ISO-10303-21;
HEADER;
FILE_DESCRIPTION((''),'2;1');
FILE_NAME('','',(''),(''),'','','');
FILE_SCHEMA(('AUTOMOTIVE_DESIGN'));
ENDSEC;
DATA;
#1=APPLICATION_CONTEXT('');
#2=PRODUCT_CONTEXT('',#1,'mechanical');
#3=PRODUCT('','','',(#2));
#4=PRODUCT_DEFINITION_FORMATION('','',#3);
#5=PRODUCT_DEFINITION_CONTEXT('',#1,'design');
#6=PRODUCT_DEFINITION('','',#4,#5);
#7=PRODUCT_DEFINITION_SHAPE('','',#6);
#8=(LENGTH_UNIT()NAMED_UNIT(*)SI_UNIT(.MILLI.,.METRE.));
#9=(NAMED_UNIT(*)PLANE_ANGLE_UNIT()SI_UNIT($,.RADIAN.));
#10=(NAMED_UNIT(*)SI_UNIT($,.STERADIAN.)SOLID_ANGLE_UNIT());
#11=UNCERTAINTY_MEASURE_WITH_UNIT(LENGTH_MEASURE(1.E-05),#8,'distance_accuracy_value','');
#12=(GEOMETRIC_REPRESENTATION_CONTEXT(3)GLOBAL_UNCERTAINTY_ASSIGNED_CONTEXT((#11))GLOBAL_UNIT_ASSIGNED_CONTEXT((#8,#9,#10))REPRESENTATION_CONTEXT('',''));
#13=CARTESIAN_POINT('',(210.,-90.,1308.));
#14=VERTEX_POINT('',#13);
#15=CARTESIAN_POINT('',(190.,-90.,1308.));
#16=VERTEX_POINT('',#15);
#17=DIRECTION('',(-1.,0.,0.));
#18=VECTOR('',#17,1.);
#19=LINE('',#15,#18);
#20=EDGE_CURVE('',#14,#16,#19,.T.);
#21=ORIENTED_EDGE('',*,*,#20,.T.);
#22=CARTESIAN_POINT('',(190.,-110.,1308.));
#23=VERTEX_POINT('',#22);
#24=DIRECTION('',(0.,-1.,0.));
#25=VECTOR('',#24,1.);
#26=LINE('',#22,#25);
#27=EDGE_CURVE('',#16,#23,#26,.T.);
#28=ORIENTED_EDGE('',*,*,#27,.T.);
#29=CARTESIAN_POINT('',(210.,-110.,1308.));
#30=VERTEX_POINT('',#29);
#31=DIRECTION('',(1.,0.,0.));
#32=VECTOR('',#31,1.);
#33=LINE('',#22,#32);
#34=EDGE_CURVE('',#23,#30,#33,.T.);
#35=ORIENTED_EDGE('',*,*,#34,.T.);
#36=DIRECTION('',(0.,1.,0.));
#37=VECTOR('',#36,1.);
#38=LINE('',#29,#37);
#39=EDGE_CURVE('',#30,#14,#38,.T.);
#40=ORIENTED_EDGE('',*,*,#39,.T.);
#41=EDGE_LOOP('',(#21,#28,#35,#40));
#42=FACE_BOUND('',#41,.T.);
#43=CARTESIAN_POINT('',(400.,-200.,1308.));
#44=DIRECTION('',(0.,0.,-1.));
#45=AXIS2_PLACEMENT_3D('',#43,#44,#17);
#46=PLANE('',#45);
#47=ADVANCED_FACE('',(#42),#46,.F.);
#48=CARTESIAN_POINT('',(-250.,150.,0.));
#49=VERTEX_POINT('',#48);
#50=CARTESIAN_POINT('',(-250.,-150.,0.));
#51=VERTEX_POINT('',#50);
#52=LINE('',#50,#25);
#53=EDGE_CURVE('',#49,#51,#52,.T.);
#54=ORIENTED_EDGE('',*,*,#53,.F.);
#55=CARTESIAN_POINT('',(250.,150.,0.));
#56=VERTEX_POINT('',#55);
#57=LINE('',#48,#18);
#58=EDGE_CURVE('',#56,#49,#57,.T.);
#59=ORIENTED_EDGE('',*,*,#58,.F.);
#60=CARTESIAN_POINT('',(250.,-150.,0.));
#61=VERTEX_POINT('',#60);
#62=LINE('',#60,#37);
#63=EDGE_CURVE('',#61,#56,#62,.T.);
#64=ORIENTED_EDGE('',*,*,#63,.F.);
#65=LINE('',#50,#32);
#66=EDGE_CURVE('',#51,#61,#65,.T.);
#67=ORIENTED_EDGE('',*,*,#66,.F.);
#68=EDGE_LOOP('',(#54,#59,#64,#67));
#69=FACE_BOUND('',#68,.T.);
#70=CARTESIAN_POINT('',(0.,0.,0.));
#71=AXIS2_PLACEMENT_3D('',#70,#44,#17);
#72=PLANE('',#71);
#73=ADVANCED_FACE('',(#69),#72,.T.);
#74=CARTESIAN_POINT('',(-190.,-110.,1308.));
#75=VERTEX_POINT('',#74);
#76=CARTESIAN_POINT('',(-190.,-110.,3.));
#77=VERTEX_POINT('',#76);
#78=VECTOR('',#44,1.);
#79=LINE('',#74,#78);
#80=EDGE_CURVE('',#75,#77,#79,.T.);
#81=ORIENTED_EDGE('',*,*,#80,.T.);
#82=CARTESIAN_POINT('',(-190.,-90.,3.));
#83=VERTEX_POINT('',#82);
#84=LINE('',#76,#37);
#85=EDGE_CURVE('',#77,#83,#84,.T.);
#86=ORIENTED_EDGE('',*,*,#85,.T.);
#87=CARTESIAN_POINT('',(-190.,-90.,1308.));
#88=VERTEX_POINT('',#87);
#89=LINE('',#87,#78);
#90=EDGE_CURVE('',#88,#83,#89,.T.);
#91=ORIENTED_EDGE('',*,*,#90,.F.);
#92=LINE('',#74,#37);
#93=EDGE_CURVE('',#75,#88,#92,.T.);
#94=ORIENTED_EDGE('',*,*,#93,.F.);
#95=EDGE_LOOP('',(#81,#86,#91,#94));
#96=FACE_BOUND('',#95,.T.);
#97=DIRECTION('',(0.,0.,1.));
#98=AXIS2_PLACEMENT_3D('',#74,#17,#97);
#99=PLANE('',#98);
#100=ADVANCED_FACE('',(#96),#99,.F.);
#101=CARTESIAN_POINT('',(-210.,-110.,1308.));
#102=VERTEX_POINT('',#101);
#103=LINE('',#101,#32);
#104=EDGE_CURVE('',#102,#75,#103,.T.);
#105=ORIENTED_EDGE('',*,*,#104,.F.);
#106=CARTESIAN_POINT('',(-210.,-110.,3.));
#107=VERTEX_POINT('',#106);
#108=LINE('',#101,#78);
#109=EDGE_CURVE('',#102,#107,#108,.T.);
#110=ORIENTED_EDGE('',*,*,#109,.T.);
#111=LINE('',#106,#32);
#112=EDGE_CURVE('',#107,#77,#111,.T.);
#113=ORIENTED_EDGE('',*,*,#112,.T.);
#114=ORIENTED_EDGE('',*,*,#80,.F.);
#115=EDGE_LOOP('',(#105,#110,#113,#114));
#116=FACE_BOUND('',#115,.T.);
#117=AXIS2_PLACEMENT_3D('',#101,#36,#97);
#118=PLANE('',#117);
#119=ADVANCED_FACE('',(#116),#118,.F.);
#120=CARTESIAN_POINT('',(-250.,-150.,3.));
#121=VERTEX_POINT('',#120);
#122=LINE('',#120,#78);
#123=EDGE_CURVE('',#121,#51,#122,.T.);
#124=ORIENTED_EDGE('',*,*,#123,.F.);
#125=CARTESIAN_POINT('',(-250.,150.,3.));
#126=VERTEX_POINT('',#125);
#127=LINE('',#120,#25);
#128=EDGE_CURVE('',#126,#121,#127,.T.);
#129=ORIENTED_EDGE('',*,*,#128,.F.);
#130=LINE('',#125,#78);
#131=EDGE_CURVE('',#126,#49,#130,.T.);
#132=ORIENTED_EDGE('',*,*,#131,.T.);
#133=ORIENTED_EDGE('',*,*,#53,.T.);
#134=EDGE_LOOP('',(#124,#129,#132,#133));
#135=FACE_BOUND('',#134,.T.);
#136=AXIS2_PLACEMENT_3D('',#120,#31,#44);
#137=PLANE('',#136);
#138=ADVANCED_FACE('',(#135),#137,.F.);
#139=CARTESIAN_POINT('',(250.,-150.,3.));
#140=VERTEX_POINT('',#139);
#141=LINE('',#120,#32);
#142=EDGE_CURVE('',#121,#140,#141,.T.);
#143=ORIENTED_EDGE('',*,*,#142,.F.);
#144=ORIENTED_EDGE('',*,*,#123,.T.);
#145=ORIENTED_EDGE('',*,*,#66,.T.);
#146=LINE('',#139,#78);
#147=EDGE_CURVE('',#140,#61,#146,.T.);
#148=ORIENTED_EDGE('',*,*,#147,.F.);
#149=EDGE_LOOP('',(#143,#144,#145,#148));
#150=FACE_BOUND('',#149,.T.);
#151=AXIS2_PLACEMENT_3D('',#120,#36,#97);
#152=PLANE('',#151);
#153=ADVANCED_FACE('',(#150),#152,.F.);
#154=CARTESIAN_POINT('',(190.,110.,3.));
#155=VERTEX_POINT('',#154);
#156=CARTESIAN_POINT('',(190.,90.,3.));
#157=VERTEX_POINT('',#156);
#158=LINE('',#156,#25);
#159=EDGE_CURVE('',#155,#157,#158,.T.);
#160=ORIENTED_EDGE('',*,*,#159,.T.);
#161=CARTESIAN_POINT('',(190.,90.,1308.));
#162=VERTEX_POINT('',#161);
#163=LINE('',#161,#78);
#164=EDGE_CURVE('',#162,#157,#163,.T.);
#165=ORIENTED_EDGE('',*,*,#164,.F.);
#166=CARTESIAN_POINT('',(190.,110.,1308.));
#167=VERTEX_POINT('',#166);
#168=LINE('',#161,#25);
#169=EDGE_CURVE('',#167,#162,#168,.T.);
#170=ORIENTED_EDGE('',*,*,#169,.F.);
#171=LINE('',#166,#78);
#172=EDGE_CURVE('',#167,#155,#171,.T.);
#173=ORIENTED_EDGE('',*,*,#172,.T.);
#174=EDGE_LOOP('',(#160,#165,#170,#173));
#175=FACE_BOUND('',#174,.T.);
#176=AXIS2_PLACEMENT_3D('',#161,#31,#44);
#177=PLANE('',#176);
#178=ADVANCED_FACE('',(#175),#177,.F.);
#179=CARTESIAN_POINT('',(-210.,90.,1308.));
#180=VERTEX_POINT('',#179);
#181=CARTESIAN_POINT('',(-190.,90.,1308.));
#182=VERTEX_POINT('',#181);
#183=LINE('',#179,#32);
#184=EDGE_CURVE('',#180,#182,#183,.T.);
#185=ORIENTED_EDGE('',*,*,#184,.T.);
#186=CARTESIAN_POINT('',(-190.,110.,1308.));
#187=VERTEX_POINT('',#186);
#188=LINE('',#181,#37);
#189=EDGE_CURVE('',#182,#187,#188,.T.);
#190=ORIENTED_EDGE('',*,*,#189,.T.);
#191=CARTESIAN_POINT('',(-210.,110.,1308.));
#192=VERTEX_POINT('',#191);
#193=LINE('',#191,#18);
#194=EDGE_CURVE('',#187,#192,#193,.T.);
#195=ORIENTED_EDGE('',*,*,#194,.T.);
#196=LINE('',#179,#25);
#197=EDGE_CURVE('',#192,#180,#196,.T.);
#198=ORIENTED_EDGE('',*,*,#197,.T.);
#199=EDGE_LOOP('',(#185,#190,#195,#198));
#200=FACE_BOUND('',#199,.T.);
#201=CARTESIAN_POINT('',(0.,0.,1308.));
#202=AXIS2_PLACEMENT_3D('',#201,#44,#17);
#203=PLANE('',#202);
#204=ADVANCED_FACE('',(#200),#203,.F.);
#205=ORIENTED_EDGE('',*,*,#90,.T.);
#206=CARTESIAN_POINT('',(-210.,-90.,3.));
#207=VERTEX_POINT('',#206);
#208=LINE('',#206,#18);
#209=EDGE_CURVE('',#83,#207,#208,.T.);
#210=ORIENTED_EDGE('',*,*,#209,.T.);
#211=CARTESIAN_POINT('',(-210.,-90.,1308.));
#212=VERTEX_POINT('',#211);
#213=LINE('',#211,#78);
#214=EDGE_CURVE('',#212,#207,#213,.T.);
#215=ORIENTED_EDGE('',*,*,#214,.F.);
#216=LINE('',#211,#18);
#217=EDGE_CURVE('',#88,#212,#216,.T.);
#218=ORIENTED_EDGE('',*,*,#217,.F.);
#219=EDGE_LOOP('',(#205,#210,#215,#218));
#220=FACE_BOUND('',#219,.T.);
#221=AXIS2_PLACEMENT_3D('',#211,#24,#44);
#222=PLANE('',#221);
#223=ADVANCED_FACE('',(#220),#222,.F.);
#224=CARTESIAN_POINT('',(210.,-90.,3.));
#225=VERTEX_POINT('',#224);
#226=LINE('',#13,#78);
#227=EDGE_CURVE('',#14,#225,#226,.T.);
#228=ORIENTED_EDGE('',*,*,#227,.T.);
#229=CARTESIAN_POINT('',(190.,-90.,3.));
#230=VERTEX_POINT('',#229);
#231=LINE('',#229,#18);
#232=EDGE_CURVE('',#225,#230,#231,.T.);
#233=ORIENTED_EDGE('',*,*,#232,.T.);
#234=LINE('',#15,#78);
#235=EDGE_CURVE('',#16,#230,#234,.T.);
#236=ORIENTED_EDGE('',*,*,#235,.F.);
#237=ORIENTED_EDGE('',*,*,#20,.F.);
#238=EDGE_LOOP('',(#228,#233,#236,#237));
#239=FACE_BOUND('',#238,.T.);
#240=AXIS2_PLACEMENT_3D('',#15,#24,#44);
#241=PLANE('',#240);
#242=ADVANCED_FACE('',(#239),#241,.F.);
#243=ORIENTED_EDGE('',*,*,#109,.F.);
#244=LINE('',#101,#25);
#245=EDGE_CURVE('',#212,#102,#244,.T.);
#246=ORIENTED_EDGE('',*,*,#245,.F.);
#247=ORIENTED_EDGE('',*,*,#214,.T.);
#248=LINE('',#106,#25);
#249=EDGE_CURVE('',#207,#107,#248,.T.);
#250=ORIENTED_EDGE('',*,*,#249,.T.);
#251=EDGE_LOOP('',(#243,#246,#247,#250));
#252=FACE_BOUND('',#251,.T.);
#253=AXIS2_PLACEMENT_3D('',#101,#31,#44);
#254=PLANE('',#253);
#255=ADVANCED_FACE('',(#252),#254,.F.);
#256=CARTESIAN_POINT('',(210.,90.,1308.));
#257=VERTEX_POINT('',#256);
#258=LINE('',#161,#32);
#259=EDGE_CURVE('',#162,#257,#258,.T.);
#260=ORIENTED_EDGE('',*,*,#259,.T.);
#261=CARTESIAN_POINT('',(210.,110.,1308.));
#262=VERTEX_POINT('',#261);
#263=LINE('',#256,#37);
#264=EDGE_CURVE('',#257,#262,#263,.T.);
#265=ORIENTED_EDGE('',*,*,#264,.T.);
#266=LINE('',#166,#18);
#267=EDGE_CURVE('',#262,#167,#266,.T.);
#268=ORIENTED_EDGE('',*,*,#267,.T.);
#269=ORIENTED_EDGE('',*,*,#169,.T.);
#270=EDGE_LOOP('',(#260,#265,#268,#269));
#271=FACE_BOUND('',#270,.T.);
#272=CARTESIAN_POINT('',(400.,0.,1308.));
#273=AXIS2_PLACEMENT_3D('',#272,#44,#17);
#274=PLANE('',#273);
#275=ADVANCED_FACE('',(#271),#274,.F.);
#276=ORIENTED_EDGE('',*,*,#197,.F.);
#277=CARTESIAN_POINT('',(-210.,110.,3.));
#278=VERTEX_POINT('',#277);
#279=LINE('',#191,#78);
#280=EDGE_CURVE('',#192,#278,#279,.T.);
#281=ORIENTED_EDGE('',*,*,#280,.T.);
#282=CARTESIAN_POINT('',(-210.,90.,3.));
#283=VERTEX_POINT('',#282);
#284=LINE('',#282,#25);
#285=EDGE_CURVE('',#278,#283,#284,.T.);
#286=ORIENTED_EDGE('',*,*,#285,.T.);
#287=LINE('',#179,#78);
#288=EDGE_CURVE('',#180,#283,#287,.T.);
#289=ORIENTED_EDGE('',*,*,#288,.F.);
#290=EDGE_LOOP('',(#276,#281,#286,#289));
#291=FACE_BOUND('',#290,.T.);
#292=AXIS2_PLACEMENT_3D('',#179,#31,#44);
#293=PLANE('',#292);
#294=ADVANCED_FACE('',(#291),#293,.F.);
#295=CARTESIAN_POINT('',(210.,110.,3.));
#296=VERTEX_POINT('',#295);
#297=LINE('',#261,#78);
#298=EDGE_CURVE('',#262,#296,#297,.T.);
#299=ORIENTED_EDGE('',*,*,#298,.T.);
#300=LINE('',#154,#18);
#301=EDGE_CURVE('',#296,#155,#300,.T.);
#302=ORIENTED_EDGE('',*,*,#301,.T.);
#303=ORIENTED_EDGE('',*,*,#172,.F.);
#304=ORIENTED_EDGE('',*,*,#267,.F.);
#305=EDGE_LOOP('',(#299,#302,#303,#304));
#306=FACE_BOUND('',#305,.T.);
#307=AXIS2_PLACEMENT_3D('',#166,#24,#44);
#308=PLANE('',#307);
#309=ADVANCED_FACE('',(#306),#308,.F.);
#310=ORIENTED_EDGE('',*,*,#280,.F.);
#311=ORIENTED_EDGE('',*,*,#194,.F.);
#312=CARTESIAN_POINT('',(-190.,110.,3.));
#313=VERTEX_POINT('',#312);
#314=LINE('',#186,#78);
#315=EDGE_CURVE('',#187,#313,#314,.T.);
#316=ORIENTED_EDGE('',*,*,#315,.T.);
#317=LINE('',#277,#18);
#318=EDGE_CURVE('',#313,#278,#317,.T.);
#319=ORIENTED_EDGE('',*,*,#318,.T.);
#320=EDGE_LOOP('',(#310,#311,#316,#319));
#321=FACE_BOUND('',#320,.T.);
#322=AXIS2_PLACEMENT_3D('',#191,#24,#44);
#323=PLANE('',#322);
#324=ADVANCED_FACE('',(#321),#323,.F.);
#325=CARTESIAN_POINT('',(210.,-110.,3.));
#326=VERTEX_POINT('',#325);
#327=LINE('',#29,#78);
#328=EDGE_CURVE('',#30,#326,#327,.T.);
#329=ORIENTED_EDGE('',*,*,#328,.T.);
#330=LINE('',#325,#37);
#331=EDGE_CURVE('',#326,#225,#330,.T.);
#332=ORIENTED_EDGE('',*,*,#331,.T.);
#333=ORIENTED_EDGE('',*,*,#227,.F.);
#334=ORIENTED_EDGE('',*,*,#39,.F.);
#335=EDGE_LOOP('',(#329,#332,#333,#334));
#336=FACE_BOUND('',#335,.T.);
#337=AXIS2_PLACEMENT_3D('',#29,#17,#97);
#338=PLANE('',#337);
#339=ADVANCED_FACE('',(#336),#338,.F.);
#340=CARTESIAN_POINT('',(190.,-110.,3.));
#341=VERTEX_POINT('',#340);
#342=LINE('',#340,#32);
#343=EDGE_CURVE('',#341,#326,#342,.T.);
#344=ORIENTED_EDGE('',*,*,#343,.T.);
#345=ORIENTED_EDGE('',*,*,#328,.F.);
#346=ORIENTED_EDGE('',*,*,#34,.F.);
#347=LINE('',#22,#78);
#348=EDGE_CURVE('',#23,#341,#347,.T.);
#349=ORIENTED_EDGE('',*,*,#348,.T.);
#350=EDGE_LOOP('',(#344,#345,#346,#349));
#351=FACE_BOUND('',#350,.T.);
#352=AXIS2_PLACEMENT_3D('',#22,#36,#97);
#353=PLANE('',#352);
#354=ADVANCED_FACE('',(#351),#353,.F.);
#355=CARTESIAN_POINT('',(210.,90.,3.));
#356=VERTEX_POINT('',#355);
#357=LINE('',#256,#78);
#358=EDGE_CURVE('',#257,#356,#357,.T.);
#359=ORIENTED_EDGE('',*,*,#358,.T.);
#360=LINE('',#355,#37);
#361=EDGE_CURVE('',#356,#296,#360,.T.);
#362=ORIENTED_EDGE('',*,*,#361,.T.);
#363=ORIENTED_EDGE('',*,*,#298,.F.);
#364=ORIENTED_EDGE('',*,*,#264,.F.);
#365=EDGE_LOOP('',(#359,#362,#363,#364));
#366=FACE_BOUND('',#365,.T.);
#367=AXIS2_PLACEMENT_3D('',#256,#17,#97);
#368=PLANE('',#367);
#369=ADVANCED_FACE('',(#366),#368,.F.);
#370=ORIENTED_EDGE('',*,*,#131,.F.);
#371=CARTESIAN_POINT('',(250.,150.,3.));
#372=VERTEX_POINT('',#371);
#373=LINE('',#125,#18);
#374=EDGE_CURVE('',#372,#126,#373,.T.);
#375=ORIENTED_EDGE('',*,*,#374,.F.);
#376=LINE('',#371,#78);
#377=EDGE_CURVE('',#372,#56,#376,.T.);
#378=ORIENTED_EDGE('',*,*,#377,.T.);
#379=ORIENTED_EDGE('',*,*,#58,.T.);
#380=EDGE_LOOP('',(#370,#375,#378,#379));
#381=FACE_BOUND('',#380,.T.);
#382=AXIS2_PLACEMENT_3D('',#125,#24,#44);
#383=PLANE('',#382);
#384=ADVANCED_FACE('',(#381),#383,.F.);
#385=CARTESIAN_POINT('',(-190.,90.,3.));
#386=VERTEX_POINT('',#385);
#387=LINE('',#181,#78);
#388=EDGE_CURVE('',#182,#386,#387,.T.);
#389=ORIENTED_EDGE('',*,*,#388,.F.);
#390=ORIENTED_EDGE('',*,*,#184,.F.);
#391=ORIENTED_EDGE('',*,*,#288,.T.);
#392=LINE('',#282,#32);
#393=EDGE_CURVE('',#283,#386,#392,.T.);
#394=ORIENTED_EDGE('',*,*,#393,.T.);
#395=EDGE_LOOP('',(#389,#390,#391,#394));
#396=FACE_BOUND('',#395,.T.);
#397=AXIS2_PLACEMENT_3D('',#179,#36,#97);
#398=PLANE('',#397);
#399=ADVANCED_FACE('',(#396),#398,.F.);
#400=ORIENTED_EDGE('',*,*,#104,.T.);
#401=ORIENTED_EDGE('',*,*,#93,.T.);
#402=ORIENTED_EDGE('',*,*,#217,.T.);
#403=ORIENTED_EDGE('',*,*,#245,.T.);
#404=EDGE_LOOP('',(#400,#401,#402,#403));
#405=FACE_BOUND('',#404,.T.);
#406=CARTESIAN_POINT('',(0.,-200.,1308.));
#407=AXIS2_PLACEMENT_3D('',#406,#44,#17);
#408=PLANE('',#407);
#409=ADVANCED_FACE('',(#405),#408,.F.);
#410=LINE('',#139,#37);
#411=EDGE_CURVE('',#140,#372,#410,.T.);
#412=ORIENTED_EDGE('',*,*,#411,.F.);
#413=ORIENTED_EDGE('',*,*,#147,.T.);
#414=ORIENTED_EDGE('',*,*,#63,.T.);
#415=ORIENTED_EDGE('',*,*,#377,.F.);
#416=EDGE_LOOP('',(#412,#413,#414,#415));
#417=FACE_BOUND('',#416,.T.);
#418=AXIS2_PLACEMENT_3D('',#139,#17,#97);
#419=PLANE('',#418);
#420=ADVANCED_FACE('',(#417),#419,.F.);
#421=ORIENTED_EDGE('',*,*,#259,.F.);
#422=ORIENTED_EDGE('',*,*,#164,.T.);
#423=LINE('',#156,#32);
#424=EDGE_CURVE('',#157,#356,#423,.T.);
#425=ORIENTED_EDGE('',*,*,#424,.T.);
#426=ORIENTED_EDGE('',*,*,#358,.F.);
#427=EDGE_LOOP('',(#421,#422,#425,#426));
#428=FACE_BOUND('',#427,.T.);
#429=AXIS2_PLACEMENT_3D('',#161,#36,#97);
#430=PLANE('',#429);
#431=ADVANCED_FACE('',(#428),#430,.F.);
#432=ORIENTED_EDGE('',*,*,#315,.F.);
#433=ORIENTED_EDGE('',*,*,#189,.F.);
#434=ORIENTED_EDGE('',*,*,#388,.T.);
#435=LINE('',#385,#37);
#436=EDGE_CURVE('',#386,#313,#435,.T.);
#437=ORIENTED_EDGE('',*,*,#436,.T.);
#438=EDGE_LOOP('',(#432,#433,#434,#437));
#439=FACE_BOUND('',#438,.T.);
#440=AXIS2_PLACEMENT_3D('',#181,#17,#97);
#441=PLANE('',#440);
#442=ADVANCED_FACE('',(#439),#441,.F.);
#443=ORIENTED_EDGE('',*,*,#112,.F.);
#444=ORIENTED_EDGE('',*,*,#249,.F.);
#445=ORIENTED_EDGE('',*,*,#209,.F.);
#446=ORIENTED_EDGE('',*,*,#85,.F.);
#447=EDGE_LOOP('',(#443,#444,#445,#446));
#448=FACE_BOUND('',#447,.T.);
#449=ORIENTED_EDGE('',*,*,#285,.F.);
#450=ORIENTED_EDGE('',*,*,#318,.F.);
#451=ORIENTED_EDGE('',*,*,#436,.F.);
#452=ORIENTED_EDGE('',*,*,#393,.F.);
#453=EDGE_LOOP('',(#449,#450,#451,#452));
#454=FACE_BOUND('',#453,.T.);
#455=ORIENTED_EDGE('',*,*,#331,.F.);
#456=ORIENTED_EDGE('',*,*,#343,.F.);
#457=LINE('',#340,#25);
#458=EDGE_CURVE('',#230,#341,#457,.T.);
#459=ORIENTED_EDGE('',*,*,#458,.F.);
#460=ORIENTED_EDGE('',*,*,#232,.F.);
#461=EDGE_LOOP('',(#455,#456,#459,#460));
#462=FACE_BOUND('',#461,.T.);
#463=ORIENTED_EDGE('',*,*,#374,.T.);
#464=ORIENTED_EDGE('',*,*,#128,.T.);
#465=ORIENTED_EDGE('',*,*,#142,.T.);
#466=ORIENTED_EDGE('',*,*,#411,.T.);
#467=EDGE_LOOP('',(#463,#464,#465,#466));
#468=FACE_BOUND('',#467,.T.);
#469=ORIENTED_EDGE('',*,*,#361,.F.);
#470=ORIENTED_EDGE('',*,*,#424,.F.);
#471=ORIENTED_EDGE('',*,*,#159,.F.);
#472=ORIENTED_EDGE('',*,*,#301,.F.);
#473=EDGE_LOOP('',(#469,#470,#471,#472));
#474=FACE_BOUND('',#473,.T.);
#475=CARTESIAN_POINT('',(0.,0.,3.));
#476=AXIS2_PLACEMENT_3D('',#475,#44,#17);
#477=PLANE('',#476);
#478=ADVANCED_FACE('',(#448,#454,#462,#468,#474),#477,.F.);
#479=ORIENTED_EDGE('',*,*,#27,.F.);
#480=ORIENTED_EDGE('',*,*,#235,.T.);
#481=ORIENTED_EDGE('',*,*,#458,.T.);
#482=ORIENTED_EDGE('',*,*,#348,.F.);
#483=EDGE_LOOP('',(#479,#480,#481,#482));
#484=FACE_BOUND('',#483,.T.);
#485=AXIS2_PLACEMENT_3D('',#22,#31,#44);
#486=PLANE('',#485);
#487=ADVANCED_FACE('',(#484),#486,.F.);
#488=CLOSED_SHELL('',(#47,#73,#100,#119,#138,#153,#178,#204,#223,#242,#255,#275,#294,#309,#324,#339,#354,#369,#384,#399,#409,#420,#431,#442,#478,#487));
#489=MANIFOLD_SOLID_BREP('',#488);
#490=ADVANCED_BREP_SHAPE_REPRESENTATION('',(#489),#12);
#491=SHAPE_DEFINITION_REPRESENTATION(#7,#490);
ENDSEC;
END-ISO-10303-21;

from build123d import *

# Parameters (mm, degrees)
SCHIZZO1_W                       = 500
SCHIZZO1_H                       = 300
ESTRUSIONE_ESTRUSIONE1_DEPTH     = 3
SCHIZZO2_W                       = 20
SCHIZZO2_H                       = 20
ESTRUSIONE_ESTRUSIONE2_DEPTH     = 1305
RIPETIZIONE_A_L1_COUNT           = 2
RIPETIZIONE_A_L1_PITCH           = 400
RIPETIZIONE_A_L2_COUNT           = 2
RIPETIZIONE_A_L2_PITCH           = 200
RIPETIZIONE_A_L2_COPY_1_SKETCH_W = 20
RIPETIZIONE_A_L2_COPY_1_SKETCH_H = 20
RIPETIZIONE_A_L2_COPY_1_DEPTH    = 1305


with BuildPart() as part:
    # Schizzo1 → Estrusione-Estrusione1 (new body)
    with BuildSketch(Plane.XY):
        Rectangle(SCHIZZO1_W, SCHIZZO1_H)
    extrude(amount=ESTRUSIONE_ESTRUSIONE1_DEPTH)

    # Schizzo2 → Estrusione-Estrusione2 (add)
    with BuildSketch(Plane.XY.offset(3)):
        with Locations((-200, 100)):
            Rectangle(SCHIZZO2_W, SCHIZZO2_H)
    estrusione_estrusione2 = extrude(amount=ESTRUSIONE_ESTRUSIONE2_DEPTH)

    # Ripetizione a L1: Estrusione-Estrusione2 ×2
    with Locations(*[(i * RIPETIZIONE_A_L1_PITCH, 0, 0) for i in range(1, RIPETIZIONE_A_L1_COUNT)]):
        add(estrusione_estrusione2)

    # Ripetizione a L2: Estrusione-Estrusione2 ×2
    with Locations(*[(0, -i * RIPETIZIONE_A_L2_PITCH, 0) for i in range(1, RIPETIZIONE_A_L2_COUNT)]):
        add(estrusione_estrusione2)

    # Ripetizione a L2 copy 1 sketch → Ripetizione a L2 copy 1 (add)
    with BuildSketch(Plane(origin=(400, -200, 3), x_dir=(1, 0, 0), z_dir=(0, 0, 1))):
        with Locations((-200, 100)):
            Rectangle(RIPETIZIONE_A_L2_COPY_1_SKETCH_W, RIPETIZIONE_A_L2_COPY_1_SKETCH_H)
    extrude(amount=RIPETIZIONE_A_L2_COPY_1_DEPTH)


solid = part.part
